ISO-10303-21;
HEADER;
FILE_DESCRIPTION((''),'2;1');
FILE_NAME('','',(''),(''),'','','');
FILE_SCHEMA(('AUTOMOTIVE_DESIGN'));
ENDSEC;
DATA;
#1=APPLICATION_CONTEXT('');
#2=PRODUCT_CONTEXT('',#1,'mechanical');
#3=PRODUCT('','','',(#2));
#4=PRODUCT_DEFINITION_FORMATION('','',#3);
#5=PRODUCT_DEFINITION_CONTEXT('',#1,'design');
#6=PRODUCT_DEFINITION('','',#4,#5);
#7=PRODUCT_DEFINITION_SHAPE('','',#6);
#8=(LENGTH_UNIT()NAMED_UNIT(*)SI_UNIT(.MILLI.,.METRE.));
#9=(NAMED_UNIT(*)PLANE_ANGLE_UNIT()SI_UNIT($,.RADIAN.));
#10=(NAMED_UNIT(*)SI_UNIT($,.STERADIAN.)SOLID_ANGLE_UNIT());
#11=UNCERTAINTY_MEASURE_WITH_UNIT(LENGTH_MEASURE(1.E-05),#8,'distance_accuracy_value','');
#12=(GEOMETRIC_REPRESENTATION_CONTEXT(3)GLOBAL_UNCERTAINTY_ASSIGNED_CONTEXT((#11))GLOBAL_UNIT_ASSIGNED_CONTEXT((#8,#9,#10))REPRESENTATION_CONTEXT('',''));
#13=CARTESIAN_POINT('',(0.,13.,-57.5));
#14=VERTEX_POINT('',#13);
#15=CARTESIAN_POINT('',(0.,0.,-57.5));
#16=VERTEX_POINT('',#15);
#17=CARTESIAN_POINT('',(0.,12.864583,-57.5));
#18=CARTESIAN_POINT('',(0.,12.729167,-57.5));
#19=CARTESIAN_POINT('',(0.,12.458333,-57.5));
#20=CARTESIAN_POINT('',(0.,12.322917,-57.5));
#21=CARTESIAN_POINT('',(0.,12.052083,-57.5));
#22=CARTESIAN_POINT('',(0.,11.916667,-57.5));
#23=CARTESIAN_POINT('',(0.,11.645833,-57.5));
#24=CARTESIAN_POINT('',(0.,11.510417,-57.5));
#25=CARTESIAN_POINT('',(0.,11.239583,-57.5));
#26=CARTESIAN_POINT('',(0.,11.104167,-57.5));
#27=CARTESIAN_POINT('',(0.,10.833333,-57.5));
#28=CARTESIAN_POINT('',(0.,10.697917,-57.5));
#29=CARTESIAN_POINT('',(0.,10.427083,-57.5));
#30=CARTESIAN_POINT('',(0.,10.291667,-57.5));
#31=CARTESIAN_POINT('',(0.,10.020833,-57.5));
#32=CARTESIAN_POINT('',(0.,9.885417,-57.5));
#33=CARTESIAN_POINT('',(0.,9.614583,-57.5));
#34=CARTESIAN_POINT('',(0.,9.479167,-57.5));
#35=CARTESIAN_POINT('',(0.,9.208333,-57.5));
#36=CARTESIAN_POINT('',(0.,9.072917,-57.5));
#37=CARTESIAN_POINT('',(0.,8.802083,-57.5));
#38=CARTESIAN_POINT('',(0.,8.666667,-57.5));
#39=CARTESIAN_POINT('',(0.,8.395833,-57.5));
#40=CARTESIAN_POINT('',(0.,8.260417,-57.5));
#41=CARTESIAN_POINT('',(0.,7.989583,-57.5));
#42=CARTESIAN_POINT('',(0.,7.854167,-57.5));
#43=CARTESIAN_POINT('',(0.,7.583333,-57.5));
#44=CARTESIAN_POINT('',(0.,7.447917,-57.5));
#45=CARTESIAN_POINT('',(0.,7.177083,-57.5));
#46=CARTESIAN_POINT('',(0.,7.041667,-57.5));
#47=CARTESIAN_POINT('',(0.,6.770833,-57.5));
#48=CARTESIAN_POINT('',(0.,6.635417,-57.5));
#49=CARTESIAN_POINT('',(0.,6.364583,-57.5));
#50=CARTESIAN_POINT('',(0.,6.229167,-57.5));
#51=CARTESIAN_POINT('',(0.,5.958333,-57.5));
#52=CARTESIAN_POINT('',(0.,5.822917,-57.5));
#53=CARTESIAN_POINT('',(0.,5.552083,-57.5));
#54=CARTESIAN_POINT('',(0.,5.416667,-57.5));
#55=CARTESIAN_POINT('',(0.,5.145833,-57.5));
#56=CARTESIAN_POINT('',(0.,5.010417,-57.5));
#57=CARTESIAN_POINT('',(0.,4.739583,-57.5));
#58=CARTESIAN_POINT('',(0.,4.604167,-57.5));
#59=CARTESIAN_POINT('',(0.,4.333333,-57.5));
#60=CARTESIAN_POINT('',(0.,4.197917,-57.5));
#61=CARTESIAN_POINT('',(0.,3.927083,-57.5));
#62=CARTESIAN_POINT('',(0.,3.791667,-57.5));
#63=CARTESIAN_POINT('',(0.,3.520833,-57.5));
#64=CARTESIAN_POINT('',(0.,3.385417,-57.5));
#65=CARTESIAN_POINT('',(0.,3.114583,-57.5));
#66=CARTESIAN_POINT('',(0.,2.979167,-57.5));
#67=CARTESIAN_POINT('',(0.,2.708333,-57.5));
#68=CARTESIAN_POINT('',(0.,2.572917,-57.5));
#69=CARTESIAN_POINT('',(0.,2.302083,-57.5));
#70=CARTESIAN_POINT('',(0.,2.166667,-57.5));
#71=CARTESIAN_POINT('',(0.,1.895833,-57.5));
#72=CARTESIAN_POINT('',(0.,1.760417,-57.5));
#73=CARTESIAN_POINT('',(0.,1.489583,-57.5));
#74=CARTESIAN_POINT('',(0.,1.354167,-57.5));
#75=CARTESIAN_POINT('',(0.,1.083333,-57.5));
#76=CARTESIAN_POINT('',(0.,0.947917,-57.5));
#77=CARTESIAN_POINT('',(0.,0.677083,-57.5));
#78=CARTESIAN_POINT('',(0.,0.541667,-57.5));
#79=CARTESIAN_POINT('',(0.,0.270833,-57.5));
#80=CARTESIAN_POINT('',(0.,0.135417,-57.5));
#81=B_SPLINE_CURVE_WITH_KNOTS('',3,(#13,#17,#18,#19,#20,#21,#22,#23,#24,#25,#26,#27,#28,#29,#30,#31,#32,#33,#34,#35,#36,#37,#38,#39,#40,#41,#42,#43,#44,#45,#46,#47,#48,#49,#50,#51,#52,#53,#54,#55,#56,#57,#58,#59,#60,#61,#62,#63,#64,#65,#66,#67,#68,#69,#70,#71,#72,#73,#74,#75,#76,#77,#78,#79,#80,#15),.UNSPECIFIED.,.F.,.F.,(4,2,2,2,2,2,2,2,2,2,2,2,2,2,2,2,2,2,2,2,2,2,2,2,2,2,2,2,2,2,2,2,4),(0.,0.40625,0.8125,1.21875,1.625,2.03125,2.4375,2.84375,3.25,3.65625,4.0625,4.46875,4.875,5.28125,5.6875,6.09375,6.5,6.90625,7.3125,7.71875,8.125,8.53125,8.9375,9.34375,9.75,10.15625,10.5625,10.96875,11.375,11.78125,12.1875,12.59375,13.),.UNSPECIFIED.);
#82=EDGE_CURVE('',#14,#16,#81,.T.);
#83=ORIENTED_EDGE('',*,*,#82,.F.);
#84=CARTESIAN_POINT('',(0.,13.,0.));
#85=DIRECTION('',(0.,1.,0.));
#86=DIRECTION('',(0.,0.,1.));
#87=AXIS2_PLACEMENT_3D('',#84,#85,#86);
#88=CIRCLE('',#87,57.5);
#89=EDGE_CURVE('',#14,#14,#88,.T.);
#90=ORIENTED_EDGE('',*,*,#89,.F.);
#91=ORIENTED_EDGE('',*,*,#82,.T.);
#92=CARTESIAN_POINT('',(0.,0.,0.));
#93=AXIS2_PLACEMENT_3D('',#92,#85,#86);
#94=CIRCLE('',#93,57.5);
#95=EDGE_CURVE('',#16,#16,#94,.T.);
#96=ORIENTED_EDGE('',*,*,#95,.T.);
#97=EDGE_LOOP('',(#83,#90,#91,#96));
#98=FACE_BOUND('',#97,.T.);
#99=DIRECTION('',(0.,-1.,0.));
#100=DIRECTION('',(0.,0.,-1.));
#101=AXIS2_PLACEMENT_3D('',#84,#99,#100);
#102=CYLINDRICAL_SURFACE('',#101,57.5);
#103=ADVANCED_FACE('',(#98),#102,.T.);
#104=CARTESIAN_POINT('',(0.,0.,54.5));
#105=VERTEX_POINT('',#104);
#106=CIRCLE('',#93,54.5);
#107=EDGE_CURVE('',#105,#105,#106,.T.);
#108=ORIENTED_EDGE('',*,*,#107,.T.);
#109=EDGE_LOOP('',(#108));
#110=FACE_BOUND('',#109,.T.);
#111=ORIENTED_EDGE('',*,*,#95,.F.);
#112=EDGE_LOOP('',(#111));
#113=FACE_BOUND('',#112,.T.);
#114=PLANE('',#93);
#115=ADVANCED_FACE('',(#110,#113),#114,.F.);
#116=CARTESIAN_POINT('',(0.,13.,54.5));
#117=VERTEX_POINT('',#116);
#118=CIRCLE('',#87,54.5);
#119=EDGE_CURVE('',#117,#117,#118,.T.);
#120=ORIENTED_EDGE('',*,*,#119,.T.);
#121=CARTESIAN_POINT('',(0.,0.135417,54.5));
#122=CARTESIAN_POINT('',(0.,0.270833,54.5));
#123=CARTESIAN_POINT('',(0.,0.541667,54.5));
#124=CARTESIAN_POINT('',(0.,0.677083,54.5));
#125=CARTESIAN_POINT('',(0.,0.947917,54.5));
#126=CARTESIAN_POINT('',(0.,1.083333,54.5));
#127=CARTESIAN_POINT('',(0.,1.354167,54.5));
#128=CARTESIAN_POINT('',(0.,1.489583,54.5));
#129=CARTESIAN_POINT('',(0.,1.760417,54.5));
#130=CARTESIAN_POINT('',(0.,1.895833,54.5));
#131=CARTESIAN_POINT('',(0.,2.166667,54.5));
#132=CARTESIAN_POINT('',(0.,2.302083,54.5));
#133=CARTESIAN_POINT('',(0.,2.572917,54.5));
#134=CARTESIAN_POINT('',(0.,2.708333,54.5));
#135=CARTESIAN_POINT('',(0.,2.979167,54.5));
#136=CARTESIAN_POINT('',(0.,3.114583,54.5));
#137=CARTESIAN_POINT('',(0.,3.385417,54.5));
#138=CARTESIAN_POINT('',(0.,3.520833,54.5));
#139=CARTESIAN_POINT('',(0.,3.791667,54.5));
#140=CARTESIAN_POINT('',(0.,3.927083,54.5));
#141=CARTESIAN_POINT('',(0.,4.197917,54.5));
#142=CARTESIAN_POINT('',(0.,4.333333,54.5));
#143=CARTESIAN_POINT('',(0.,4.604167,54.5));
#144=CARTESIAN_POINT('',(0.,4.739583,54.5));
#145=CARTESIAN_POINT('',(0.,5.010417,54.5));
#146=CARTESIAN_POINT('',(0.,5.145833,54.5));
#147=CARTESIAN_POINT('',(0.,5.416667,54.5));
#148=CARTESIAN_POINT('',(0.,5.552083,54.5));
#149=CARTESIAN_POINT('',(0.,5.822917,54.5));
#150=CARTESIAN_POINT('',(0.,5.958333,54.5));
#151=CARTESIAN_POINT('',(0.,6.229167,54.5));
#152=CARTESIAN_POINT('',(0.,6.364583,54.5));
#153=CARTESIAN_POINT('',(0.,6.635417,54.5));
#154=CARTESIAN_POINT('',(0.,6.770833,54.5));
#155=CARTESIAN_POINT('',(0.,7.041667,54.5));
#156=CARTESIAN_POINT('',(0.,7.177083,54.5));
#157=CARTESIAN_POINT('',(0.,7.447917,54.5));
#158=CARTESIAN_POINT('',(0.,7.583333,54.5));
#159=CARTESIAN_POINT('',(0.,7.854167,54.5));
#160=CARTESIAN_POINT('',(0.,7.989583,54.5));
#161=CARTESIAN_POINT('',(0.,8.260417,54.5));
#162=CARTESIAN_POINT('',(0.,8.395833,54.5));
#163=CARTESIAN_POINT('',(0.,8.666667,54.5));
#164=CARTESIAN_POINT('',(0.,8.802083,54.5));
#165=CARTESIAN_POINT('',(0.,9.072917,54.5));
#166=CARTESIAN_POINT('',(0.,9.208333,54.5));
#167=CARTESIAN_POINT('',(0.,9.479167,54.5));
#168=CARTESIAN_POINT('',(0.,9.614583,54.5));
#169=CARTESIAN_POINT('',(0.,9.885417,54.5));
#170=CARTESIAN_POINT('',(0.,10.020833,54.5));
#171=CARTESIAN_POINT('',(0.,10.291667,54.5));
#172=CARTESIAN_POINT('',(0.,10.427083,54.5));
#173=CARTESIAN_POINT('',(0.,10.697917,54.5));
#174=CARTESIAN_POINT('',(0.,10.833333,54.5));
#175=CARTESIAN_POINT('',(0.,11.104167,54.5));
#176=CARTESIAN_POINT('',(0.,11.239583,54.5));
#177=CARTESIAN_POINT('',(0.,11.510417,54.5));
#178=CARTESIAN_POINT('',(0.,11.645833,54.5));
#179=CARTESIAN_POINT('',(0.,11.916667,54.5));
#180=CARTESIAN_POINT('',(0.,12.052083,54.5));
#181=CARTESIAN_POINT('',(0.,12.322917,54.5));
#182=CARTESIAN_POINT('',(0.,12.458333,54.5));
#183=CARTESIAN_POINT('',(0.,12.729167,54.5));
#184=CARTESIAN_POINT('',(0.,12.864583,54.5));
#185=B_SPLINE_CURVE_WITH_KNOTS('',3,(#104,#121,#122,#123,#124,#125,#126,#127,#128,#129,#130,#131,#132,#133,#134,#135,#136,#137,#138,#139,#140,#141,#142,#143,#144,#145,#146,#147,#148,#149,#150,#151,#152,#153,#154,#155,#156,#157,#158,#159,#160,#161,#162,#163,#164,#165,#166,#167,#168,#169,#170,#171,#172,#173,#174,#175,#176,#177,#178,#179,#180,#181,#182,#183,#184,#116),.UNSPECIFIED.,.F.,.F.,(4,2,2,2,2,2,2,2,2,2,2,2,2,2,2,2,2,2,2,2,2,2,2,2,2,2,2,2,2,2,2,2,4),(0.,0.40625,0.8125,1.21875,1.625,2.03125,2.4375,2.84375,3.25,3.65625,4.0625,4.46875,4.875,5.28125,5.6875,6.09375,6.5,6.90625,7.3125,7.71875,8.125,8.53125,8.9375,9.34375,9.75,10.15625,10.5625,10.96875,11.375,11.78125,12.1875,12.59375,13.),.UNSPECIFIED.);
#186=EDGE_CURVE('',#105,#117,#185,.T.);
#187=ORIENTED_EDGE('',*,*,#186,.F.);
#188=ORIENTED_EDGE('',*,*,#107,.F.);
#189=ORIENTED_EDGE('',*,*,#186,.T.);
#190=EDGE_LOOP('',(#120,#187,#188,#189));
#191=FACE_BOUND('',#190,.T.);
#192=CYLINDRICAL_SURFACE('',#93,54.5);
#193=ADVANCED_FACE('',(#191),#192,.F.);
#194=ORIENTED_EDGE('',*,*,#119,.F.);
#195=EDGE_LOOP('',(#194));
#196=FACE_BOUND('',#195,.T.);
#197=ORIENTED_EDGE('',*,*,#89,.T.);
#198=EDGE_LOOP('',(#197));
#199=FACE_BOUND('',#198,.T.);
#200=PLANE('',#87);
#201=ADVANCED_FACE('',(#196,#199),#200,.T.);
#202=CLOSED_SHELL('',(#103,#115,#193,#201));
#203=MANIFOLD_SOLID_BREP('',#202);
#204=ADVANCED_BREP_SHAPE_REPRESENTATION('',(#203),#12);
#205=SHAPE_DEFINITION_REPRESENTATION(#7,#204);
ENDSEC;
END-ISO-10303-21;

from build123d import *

# Parameters (mm, degrees)
SKETCH1_R           = 57.5
BOSS_EXTRUDE1_DEPTH = 13
SKETCH2_R           = 54.5
CUT_EXTRUDE1_DEPTH  = 13


with BuildPart() as part:
    # Sketch1 → Boss-Extrude1 (new body)
    with BuildSketch(Plane(origin=(0, 0, 0), x_dir=(1, 0, 0), z_dir=(0, 1, 0))):
        with Locations(Location((0, 0, 0), (0, 0, 90))):
            Circle(SKETCH1_R)
    extrude(amount=BOSS_EXTRUDE1_DEPTH)

    # Sketch2 → Cut-Extrude1 (cut)
    with BuildSketch(Plane(origin=(0, 13, 0), x_dir=(1, 0, 0), z_dir=(0, 1, 0))):
        with Locations(Location((0, 0, 0), (0, 0, 270))):
            Circle(SKETCH2_R)
    extrude(amount=-CUT_EXTRUDE1_DEPTH, mode=Mode.SUBTRACT)


solid = part.part
